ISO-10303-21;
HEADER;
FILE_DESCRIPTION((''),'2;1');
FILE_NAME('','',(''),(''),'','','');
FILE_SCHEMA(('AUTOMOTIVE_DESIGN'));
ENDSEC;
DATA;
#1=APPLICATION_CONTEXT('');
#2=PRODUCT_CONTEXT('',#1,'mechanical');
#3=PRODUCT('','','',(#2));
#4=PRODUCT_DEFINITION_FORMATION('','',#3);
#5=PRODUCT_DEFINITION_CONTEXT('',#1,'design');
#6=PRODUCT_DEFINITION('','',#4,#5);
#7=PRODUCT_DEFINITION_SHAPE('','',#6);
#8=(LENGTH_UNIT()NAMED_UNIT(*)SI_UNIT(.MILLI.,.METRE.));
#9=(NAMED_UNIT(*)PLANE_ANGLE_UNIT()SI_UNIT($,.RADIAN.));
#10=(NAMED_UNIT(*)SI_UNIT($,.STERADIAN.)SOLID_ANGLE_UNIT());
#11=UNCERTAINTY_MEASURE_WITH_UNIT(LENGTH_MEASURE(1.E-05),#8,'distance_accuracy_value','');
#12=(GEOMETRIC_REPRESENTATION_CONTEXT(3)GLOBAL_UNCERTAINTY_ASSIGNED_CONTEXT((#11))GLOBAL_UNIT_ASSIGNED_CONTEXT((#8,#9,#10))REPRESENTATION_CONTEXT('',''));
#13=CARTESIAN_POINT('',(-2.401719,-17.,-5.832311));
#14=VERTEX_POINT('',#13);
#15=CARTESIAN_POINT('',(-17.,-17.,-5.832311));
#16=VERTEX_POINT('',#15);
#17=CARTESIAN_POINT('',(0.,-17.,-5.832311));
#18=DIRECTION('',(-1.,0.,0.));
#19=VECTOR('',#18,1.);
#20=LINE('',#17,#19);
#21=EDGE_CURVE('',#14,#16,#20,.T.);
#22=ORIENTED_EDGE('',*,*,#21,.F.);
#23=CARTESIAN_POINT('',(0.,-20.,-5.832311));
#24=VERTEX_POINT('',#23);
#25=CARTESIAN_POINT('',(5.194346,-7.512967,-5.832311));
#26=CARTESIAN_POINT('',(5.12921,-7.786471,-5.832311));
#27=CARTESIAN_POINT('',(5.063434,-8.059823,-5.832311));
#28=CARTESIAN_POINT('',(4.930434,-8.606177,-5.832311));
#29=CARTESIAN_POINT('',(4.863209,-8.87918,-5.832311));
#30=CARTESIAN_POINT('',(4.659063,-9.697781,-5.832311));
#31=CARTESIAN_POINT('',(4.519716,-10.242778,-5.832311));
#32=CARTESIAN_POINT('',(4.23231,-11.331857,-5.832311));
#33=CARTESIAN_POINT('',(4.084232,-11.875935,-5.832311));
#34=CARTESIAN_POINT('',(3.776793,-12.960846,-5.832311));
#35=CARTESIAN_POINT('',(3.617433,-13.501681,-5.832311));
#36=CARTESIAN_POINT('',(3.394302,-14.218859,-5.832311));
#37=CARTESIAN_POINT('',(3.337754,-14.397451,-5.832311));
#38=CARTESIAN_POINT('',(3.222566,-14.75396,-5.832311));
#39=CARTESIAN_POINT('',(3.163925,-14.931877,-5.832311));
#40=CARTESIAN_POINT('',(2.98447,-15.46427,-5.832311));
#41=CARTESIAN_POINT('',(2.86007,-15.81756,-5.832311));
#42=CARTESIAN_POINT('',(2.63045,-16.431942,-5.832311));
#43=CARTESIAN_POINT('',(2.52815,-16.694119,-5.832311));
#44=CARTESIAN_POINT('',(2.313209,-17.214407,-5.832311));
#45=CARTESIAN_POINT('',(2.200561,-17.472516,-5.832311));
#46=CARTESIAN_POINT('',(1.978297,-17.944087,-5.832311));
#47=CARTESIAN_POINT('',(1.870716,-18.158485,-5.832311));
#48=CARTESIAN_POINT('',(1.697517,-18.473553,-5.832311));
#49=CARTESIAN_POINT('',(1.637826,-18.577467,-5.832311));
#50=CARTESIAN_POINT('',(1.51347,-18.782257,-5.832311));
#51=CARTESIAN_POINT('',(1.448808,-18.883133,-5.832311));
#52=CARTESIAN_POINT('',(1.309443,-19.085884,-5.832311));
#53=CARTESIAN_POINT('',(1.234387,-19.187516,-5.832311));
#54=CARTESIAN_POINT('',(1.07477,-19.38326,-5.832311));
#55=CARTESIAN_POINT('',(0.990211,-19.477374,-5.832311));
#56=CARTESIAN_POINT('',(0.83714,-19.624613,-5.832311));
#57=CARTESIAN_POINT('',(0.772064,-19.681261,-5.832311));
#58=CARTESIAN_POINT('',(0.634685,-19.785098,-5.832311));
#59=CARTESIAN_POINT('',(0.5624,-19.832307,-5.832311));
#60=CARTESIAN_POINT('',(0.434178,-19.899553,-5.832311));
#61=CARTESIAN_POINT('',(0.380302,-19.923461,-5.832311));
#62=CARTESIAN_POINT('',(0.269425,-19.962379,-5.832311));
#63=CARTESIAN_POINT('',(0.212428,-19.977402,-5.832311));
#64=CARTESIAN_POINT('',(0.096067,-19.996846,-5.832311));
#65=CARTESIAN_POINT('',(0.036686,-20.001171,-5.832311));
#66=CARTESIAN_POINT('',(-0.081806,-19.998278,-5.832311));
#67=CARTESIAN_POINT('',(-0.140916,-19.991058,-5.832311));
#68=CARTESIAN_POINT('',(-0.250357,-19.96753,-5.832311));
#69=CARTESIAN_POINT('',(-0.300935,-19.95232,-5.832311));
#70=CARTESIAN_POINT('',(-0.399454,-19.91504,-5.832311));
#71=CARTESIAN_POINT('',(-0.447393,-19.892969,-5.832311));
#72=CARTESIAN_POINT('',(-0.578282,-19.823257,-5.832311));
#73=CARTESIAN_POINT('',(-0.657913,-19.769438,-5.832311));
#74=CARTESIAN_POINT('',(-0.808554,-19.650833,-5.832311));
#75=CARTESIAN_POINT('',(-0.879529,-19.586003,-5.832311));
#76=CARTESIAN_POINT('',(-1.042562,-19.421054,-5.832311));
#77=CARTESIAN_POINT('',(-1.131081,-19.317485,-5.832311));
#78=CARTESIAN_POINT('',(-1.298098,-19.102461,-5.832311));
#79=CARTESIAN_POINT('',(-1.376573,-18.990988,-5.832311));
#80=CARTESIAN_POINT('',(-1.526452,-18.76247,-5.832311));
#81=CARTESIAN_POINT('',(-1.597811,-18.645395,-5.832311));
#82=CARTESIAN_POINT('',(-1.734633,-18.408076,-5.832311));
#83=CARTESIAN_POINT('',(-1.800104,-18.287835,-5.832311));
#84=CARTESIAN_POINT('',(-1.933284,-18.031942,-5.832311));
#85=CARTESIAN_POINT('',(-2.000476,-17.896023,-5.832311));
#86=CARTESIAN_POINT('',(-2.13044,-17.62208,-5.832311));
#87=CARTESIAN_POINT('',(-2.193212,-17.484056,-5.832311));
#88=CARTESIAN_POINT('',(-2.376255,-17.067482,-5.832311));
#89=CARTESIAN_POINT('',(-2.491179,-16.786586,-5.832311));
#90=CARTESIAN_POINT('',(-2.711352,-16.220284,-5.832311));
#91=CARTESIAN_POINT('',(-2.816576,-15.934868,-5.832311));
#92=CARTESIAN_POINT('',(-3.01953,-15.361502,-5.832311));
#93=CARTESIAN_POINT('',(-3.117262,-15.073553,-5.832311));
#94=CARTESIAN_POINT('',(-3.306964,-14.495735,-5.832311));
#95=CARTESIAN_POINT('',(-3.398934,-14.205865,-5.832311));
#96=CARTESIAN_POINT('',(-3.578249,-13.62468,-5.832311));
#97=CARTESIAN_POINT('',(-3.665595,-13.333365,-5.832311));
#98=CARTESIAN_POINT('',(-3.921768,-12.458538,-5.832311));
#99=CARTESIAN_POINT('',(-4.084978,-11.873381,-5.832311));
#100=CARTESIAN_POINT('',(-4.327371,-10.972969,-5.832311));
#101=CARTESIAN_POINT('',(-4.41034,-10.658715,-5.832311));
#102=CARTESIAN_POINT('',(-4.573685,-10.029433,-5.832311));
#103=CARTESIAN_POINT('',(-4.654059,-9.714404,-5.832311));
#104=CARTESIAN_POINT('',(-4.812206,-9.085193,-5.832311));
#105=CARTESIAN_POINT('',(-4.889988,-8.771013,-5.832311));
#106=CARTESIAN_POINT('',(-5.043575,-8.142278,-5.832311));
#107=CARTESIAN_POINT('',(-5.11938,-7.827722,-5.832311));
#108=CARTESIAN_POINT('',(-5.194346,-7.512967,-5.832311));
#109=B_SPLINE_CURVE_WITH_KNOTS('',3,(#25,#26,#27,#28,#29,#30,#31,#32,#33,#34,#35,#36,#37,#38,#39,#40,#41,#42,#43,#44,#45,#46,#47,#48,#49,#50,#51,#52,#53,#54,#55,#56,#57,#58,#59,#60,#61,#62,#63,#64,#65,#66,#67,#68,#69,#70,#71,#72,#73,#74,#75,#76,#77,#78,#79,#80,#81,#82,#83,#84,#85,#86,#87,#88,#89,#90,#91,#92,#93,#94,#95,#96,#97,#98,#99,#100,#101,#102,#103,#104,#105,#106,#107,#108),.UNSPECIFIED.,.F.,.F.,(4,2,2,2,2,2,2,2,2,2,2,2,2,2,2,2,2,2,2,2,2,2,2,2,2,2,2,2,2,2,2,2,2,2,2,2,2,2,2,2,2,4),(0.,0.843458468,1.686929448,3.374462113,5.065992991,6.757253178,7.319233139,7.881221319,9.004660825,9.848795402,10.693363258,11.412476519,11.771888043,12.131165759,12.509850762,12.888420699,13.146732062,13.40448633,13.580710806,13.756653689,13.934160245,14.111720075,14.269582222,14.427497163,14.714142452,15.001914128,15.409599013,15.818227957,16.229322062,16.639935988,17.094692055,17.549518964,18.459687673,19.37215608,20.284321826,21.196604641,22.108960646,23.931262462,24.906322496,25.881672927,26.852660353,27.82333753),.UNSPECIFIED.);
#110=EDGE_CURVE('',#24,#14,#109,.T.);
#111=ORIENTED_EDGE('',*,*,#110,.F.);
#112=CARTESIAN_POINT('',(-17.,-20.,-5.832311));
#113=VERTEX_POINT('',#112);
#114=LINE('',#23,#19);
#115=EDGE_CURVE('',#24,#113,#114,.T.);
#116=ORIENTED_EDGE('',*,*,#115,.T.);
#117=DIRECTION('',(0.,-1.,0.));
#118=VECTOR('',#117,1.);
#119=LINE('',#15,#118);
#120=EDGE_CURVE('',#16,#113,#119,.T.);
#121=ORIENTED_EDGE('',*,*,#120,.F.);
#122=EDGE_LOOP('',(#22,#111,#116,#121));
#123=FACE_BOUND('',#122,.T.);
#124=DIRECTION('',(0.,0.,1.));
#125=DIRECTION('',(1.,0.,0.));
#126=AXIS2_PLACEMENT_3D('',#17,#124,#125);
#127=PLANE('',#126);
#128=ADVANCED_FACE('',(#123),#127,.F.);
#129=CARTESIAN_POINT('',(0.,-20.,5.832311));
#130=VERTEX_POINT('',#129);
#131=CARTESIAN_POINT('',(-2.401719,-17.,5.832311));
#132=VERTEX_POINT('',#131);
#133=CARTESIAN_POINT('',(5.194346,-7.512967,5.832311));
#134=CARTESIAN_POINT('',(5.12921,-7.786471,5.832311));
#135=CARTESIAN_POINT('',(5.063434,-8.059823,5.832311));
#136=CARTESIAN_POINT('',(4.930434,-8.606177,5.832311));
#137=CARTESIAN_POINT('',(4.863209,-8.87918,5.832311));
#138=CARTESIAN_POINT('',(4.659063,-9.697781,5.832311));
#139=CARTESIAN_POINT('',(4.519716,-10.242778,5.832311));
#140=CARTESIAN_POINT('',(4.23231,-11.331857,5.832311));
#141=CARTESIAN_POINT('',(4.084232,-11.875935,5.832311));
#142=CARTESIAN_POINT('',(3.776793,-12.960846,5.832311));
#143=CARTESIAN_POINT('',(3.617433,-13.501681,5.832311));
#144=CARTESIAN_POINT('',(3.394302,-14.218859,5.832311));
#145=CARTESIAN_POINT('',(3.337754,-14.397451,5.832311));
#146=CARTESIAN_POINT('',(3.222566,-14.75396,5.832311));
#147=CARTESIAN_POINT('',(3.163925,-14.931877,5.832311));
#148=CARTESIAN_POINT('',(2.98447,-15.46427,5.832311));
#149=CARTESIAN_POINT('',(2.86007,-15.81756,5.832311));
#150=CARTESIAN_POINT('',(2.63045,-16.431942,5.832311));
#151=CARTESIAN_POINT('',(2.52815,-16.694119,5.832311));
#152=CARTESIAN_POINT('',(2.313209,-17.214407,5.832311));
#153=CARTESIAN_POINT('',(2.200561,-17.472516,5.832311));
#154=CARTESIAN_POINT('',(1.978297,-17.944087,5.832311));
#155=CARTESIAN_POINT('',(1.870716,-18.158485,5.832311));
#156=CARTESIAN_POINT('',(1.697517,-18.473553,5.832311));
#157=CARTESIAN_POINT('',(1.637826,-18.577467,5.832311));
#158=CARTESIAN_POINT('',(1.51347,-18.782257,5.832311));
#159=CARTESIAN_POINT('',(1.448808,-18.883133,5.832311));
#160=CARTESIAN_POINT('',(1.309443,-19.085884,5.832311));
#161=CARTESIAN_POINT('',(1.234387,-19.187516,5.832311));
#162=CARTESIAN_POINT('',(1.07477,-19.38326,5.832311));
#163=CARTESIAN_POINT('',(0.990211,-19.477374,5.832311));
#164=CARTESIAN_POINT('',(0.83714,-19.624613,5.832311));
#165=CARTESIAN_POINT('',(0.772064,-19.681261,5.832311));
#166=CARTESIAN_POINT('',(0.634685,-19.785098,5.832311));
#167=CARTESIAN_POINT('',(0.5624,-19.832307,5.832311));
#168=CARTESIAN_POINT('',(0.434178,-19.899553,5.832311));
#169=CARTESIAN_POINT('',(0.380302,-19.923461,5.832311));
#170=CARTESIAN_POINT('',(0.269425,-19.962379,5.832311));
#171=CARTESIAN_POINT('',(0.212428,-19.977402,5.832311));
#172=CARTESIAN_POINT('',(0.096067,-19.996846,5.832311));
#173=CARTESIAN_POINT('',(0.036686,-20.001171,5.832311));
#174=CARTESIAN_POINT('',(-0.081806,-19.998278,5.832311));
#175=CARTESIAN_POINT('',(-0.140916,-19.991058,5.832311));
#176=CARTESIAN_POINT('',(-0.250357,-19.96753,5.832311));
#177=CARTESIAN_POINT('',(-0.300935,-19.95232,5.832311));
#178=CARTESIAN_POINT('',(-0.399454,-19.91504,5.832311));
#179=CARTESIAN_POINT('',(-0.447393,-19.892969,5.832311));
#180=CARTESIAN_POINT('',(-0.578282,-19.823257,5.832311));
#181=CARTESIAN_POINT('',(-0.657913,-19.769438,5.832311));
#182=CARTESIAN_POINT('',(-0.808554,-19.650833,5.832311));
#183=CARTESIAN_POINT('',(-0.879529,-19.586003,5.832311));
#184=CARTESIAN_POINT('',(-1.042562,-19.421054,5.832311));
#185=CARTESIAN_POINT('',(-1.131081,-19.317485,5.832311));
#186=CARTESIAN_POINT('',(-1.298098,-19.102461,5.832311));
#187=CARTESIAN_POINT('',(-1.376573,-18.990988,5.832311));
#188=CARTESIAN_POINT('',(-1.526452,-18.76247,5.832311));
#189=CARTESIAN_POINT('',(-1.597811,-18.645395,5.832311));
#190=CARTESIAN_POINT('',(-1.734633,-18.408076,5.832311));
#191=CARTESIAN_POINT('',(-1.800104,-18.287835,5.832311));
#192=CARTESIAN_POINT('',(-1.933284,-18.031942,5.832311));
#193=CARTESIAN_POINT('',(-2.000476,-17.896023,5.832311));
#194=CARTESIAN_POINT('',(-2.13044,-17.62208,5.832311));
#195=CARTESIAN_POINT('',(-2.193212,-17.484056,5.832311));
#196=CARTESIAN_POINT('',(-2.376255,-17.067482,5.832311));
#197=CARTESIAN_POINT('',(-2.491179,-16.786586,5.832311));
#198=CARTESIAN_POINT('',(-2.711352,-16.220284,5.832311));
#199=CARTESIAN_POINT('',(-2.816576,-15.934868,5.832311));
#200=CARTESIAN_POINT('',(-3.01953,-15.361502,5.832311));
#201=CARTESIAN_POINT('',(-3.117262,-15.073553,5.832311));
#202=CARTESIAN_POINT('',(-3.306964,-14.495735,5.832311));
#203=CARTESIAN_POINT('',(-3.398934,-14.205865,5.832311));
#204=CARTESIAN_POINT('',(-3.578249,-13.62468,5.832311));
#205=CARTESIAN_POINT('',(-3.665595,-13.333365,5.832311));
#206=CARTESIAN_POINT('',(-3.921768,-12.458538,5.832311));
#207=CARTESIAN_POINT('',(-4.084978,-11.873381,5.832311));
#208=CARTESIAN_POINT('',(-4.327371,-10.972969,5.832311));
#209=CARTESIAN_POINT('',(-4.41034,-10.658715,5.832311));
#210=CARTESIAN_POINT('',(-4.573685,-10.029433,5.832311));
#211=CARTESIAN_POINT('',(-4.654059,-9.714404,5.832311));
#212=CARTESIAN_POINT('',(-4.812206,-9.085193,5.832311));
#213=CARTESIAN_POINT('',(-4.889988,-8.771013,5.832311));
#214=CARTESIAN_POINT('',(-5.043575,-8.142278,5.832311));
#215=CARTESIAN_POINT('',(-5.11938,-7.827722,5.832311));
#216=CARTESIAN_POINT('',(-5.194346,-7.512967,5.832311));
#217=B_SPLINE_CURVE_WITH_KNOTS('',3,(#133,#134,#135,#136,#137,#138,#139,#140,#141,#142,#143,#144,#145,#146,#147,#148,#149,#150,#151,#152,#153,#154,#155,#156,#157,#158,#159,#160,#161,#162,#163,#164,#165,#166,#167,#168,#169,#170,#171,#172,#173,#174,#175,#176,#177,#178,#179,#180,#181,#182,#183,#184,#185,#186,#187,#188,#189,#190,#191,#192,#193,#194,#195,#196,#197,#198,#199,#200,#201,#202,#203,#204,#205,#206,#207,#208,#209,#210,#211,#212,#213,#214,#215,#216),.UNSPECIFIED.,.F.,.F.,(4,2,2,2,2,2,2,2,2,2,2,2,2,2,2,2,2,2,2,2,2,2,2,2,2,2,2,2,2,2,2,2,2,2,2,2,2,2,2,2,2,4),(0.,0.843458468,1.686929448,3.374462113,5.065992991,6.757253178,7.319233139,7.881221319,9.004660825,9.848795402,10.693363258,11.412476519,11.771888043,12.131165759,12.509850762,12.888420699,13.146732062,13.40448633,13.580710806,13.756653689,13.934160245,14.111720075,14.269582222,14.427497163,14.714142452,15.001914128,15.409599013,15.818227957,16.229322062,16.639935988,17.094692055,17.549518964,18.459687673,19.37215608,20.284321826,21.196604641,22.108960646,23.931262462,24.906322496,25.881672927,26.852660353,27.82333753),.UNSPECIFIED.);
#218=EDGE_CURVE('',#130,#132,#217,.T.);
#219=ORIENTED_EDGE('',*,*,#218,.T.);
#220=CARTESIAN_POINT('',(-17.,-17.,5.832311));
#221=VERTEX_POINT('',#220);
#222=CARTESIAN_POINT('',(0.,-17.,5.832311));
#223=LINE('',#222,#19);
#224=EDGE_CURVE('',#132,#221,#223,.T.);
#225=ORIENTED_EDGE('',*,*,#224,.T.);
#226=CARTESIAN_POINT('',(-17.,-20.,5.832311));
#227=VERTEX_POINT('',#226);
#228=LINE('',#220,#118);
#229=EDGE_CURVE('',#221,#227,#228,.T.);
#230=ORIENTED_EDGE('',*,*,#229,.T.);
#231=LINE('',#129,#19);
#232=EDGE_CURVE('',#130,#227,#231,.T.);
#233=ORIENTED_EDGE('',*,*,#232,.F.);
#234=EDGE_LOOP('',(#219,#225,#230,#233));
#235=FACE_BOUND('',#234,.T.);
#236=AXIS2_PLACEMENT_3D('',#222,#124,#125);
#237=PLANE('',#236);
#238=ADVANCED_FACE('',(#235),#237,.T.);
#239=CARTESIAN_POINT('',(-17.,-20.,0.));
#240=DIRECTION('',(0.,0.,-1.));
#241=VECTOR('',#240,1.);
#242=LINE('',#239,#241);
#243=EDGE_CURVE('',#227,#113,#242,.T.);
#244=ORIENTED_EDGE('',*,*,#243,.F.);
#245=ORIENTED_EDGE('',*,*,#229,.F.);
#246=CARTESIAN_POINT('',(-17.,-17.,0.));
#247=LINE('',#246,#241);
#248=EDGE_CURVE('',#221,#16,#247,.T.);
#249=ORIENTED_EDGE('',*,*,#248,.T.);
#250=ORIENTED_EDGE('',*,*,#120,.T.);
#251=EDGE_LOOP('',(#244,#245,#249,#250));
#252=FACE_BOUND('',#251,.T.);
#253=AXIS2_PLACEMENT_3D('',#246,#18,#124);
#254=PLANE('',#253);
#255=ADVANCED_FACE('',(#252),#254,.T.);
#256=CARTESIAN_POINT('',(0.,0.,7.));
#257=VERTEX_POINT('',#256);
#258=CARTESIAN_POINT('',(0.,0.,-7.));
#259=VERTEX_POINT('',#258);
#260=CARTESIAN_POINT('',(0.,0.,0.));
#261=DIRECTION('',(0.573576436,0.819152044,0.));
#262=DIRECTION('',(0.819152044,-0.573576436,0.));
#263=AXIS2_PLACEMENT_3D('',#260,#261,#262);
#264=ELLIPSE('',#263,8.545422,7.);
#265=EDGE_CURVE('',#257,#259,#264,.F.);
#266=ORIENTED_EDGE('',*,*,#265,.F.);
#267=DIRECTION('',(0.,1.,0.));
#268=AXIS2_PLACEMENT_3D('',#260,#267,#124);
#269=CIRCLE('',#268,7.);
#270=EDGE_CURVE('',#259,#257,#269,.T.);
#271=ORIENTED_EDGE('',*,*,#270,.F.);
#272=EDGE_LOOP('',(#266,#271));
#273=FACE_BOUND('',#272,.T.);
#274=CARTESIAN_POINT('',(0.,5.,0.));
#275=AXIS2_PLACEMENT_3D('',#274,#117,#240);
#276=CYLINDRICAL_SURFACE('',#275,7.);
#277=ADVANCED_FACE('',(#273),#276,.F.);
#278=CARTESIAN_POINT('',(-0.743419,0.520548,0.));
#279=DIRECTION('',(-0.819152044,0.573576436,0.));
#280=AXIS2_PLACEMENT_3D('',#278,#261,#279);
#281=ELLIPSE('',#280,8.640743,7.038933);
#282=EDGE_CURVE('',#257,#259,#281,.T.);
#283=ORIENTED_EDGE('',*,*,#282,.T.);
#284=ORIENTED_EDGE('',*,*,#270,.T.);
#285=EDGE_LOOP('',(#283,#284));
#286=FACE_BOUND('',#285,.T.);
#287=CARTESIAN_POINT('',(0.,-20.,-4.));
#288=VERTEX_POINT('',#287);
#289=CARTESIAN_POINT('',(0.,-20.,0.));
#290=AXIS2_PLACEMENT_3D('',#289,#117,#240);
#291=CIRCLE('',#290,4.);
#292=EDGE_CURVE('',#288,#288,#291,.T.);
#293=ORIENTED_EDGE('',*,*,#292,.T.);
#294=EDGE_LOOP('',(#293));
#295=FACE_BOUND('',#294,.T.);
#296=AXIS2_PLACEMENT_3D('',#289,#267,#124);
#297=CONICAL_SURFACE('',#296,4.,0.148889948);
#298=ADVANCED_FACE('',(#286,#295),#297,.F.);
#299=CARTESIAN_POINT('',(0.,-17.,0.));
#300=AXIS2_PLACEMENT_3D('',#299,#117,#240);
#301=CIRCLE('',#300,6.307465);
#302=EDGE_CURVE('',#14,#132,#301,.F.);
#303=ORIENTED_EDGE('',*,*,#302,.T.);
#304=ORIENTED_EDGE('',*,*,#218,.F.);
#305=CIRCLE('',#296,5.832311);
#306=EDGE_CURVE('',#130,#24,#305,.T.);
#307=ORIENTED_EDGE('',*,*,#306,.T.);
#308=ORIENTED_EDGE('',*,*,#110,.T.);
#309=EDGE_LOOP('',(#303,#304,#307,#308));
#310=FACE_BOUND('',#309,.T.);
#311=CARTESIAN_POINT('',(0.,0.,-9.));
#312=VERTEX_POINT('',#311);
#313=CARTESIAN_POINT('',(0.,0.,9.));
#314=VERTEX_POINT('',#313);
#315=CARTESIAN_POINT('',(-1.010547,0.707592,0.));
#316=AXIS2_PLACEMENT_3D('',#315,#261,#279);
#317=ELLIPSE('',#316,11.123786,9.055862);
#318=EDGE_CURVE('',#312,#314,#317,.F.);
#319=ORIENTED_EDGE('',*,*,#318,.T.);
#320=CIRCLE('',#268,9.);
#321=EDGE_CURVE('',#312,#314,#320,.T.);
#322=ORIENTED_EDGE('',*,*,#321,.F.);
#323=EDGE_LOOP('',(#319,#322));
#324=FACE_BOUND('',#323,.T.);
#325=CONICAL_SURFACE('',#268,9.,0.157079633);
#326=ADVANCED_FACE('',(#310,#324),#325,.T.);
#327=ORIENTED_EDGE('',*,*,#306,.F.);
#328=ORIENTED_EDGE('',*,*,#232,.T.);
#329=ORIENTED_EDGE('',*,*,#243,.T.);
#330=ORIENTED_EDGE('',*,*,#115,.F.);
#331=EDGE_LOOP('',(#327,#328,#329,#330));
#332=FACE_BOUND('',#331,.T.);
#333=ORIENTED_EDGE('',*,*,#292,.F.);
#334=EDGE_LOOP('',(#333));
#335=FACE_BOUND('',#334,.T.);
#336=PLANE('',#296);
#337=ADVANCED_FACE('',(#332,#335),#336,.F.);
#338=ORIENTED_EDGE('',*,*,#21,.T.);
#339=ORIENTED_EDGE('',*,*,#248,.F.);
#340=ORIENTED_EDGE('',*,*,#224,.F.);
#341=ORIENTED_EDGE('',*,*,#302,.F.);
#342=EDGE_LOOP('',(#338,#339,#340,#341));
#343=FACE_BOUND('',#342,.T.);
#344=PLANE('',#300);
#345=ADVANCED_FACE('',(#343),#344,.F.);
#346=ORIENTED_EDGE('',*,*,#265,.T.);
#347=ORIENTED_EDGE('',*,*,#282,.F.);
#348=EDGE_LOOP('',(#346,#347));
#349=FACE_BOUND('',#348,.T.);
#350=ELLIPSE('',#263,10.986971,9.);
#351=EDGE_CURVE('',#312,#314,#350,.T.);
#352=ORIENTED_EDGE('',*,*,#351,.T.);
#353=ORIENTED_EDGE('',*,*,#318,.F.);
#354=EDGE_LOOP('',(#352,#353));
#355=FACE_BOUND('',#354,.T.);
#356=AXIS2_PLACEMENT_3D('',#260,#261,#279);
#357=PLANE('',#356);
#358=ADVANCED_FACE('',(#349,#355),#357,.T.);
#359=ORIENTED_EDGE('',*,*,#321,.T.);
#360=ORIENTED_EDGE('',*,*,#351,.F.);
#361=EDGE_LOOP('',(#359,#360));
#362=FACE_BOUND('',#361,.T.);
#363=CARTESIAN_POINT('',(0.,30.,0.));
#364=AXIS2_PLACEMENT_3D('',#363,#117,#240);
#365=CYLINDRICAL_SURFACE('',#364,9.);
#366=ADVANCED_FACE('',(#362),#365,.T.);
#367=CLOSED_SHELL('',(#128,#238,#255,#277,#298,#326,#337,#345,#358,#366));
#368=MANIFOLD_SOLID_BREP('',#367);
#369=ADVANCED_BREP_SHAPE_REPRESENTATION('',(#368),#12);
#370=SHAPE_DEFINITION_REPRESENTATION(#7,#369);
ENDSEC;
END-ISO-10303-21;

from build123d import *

# Parameters (mm, degrees)
SKETCH1_R                     = 9
BOSS_EXTRUDE1_DEPTH           = 20
BOSS_EXTRUDE1_TAPER           = 9
BOSS_EXTRUDE1_OTHER_WAY_DEPTH = 30
SKETCH1_4_R                   = 7
SKETCH2_R                     = 4
SKETCH1_5_R                   = 7
CUT_EXTRUDE1_DEPTH            = 5
BOSS_EXTRUDE3_DEPTH           = 3


with BuildPart() as part:
    # Sketch1 → Boss-Extrude1 (new body)
    with BuildSketch(Plane(origin=(0, 0, 0), x_dir=(1, 0, 0), z_dir=(0, 1, 0))):
        with Locations(Location((0, 0, 0), (0, 0, 270))):
            Circle(SKETCH1_R)
    extrude(amount=-BOSS_EXTRUDE1_DEPTH, taper=BOSS_EXTRUDE1_TAPER)

    # Sketch1 → Boss-Extrude1 other way (add)
    with BuildSketch(Plane(origin=(0, 0, 0), x_dir=(1, 0, 0), z_dir=(0, 1, 0))):
        with Locations(Location((0, 0, 0), (0, 0, 270))):
            Circle(SKETCH1_R)
    extrude(amount=BOSS_EXTRUDE1_OTHER_WAY_DEPTH)

    # SurfaceCut1
    split(bisect_by=Plane(origin=(0, 0, 0), x_dir=(0, 0, -1), z_dir=(0.5735764363510473, 0.819152044288991, -1.9675099965776456e-15)), keep=Keep.BOTTOM)

    # Sketch1<4> → Cut-Loft1 section 0
    with BuildSketch(Plane(origin=(0, 0, 0), x_dir=(1, 0, 0), z_dir=(0, 1, 0))):
        Circle(SKETCH1_4_R)
    # Sketch2 → Cut-Loft1 section 1
    with BuildSketch(Plane.XZ.offset(20)):
        Circle(SKETCH2_R)
    loft(mode=Mode.SUBTRACT)

    # Sketch1<5> → Cut-Extrude1 (cut)
    with BuildSketch(Plane(origin=(0, 0, 0), x_dir=(1, 0, 0), z_dir=(0, 1, 0))):
        Circle(SKETCH1_5_R)
    extrude(amount=CUT_EXTRUDE1_DEPTH, mode=Mode.SUBTRACT)

    # Sketch3 → Boss-Extrude3 (add)
    with BuildSketch(Plane.XZ.offset(20)):
        with BuildLine():
            ThreePointArc((0, -5.832311194), (-5.832311194, 0), (0, 5.832311194))
            Line((0, 5.832311194), (-17, 5.832311194))
            Line((-17, 5.832311194), (-17, -5.832311194))
            Line((-17, -5.832311194), (0, -5.832311194))
        make_face()
    extrude(amount=-BOSS_EXTRUDE3_DEPTH)


solid = part.part
